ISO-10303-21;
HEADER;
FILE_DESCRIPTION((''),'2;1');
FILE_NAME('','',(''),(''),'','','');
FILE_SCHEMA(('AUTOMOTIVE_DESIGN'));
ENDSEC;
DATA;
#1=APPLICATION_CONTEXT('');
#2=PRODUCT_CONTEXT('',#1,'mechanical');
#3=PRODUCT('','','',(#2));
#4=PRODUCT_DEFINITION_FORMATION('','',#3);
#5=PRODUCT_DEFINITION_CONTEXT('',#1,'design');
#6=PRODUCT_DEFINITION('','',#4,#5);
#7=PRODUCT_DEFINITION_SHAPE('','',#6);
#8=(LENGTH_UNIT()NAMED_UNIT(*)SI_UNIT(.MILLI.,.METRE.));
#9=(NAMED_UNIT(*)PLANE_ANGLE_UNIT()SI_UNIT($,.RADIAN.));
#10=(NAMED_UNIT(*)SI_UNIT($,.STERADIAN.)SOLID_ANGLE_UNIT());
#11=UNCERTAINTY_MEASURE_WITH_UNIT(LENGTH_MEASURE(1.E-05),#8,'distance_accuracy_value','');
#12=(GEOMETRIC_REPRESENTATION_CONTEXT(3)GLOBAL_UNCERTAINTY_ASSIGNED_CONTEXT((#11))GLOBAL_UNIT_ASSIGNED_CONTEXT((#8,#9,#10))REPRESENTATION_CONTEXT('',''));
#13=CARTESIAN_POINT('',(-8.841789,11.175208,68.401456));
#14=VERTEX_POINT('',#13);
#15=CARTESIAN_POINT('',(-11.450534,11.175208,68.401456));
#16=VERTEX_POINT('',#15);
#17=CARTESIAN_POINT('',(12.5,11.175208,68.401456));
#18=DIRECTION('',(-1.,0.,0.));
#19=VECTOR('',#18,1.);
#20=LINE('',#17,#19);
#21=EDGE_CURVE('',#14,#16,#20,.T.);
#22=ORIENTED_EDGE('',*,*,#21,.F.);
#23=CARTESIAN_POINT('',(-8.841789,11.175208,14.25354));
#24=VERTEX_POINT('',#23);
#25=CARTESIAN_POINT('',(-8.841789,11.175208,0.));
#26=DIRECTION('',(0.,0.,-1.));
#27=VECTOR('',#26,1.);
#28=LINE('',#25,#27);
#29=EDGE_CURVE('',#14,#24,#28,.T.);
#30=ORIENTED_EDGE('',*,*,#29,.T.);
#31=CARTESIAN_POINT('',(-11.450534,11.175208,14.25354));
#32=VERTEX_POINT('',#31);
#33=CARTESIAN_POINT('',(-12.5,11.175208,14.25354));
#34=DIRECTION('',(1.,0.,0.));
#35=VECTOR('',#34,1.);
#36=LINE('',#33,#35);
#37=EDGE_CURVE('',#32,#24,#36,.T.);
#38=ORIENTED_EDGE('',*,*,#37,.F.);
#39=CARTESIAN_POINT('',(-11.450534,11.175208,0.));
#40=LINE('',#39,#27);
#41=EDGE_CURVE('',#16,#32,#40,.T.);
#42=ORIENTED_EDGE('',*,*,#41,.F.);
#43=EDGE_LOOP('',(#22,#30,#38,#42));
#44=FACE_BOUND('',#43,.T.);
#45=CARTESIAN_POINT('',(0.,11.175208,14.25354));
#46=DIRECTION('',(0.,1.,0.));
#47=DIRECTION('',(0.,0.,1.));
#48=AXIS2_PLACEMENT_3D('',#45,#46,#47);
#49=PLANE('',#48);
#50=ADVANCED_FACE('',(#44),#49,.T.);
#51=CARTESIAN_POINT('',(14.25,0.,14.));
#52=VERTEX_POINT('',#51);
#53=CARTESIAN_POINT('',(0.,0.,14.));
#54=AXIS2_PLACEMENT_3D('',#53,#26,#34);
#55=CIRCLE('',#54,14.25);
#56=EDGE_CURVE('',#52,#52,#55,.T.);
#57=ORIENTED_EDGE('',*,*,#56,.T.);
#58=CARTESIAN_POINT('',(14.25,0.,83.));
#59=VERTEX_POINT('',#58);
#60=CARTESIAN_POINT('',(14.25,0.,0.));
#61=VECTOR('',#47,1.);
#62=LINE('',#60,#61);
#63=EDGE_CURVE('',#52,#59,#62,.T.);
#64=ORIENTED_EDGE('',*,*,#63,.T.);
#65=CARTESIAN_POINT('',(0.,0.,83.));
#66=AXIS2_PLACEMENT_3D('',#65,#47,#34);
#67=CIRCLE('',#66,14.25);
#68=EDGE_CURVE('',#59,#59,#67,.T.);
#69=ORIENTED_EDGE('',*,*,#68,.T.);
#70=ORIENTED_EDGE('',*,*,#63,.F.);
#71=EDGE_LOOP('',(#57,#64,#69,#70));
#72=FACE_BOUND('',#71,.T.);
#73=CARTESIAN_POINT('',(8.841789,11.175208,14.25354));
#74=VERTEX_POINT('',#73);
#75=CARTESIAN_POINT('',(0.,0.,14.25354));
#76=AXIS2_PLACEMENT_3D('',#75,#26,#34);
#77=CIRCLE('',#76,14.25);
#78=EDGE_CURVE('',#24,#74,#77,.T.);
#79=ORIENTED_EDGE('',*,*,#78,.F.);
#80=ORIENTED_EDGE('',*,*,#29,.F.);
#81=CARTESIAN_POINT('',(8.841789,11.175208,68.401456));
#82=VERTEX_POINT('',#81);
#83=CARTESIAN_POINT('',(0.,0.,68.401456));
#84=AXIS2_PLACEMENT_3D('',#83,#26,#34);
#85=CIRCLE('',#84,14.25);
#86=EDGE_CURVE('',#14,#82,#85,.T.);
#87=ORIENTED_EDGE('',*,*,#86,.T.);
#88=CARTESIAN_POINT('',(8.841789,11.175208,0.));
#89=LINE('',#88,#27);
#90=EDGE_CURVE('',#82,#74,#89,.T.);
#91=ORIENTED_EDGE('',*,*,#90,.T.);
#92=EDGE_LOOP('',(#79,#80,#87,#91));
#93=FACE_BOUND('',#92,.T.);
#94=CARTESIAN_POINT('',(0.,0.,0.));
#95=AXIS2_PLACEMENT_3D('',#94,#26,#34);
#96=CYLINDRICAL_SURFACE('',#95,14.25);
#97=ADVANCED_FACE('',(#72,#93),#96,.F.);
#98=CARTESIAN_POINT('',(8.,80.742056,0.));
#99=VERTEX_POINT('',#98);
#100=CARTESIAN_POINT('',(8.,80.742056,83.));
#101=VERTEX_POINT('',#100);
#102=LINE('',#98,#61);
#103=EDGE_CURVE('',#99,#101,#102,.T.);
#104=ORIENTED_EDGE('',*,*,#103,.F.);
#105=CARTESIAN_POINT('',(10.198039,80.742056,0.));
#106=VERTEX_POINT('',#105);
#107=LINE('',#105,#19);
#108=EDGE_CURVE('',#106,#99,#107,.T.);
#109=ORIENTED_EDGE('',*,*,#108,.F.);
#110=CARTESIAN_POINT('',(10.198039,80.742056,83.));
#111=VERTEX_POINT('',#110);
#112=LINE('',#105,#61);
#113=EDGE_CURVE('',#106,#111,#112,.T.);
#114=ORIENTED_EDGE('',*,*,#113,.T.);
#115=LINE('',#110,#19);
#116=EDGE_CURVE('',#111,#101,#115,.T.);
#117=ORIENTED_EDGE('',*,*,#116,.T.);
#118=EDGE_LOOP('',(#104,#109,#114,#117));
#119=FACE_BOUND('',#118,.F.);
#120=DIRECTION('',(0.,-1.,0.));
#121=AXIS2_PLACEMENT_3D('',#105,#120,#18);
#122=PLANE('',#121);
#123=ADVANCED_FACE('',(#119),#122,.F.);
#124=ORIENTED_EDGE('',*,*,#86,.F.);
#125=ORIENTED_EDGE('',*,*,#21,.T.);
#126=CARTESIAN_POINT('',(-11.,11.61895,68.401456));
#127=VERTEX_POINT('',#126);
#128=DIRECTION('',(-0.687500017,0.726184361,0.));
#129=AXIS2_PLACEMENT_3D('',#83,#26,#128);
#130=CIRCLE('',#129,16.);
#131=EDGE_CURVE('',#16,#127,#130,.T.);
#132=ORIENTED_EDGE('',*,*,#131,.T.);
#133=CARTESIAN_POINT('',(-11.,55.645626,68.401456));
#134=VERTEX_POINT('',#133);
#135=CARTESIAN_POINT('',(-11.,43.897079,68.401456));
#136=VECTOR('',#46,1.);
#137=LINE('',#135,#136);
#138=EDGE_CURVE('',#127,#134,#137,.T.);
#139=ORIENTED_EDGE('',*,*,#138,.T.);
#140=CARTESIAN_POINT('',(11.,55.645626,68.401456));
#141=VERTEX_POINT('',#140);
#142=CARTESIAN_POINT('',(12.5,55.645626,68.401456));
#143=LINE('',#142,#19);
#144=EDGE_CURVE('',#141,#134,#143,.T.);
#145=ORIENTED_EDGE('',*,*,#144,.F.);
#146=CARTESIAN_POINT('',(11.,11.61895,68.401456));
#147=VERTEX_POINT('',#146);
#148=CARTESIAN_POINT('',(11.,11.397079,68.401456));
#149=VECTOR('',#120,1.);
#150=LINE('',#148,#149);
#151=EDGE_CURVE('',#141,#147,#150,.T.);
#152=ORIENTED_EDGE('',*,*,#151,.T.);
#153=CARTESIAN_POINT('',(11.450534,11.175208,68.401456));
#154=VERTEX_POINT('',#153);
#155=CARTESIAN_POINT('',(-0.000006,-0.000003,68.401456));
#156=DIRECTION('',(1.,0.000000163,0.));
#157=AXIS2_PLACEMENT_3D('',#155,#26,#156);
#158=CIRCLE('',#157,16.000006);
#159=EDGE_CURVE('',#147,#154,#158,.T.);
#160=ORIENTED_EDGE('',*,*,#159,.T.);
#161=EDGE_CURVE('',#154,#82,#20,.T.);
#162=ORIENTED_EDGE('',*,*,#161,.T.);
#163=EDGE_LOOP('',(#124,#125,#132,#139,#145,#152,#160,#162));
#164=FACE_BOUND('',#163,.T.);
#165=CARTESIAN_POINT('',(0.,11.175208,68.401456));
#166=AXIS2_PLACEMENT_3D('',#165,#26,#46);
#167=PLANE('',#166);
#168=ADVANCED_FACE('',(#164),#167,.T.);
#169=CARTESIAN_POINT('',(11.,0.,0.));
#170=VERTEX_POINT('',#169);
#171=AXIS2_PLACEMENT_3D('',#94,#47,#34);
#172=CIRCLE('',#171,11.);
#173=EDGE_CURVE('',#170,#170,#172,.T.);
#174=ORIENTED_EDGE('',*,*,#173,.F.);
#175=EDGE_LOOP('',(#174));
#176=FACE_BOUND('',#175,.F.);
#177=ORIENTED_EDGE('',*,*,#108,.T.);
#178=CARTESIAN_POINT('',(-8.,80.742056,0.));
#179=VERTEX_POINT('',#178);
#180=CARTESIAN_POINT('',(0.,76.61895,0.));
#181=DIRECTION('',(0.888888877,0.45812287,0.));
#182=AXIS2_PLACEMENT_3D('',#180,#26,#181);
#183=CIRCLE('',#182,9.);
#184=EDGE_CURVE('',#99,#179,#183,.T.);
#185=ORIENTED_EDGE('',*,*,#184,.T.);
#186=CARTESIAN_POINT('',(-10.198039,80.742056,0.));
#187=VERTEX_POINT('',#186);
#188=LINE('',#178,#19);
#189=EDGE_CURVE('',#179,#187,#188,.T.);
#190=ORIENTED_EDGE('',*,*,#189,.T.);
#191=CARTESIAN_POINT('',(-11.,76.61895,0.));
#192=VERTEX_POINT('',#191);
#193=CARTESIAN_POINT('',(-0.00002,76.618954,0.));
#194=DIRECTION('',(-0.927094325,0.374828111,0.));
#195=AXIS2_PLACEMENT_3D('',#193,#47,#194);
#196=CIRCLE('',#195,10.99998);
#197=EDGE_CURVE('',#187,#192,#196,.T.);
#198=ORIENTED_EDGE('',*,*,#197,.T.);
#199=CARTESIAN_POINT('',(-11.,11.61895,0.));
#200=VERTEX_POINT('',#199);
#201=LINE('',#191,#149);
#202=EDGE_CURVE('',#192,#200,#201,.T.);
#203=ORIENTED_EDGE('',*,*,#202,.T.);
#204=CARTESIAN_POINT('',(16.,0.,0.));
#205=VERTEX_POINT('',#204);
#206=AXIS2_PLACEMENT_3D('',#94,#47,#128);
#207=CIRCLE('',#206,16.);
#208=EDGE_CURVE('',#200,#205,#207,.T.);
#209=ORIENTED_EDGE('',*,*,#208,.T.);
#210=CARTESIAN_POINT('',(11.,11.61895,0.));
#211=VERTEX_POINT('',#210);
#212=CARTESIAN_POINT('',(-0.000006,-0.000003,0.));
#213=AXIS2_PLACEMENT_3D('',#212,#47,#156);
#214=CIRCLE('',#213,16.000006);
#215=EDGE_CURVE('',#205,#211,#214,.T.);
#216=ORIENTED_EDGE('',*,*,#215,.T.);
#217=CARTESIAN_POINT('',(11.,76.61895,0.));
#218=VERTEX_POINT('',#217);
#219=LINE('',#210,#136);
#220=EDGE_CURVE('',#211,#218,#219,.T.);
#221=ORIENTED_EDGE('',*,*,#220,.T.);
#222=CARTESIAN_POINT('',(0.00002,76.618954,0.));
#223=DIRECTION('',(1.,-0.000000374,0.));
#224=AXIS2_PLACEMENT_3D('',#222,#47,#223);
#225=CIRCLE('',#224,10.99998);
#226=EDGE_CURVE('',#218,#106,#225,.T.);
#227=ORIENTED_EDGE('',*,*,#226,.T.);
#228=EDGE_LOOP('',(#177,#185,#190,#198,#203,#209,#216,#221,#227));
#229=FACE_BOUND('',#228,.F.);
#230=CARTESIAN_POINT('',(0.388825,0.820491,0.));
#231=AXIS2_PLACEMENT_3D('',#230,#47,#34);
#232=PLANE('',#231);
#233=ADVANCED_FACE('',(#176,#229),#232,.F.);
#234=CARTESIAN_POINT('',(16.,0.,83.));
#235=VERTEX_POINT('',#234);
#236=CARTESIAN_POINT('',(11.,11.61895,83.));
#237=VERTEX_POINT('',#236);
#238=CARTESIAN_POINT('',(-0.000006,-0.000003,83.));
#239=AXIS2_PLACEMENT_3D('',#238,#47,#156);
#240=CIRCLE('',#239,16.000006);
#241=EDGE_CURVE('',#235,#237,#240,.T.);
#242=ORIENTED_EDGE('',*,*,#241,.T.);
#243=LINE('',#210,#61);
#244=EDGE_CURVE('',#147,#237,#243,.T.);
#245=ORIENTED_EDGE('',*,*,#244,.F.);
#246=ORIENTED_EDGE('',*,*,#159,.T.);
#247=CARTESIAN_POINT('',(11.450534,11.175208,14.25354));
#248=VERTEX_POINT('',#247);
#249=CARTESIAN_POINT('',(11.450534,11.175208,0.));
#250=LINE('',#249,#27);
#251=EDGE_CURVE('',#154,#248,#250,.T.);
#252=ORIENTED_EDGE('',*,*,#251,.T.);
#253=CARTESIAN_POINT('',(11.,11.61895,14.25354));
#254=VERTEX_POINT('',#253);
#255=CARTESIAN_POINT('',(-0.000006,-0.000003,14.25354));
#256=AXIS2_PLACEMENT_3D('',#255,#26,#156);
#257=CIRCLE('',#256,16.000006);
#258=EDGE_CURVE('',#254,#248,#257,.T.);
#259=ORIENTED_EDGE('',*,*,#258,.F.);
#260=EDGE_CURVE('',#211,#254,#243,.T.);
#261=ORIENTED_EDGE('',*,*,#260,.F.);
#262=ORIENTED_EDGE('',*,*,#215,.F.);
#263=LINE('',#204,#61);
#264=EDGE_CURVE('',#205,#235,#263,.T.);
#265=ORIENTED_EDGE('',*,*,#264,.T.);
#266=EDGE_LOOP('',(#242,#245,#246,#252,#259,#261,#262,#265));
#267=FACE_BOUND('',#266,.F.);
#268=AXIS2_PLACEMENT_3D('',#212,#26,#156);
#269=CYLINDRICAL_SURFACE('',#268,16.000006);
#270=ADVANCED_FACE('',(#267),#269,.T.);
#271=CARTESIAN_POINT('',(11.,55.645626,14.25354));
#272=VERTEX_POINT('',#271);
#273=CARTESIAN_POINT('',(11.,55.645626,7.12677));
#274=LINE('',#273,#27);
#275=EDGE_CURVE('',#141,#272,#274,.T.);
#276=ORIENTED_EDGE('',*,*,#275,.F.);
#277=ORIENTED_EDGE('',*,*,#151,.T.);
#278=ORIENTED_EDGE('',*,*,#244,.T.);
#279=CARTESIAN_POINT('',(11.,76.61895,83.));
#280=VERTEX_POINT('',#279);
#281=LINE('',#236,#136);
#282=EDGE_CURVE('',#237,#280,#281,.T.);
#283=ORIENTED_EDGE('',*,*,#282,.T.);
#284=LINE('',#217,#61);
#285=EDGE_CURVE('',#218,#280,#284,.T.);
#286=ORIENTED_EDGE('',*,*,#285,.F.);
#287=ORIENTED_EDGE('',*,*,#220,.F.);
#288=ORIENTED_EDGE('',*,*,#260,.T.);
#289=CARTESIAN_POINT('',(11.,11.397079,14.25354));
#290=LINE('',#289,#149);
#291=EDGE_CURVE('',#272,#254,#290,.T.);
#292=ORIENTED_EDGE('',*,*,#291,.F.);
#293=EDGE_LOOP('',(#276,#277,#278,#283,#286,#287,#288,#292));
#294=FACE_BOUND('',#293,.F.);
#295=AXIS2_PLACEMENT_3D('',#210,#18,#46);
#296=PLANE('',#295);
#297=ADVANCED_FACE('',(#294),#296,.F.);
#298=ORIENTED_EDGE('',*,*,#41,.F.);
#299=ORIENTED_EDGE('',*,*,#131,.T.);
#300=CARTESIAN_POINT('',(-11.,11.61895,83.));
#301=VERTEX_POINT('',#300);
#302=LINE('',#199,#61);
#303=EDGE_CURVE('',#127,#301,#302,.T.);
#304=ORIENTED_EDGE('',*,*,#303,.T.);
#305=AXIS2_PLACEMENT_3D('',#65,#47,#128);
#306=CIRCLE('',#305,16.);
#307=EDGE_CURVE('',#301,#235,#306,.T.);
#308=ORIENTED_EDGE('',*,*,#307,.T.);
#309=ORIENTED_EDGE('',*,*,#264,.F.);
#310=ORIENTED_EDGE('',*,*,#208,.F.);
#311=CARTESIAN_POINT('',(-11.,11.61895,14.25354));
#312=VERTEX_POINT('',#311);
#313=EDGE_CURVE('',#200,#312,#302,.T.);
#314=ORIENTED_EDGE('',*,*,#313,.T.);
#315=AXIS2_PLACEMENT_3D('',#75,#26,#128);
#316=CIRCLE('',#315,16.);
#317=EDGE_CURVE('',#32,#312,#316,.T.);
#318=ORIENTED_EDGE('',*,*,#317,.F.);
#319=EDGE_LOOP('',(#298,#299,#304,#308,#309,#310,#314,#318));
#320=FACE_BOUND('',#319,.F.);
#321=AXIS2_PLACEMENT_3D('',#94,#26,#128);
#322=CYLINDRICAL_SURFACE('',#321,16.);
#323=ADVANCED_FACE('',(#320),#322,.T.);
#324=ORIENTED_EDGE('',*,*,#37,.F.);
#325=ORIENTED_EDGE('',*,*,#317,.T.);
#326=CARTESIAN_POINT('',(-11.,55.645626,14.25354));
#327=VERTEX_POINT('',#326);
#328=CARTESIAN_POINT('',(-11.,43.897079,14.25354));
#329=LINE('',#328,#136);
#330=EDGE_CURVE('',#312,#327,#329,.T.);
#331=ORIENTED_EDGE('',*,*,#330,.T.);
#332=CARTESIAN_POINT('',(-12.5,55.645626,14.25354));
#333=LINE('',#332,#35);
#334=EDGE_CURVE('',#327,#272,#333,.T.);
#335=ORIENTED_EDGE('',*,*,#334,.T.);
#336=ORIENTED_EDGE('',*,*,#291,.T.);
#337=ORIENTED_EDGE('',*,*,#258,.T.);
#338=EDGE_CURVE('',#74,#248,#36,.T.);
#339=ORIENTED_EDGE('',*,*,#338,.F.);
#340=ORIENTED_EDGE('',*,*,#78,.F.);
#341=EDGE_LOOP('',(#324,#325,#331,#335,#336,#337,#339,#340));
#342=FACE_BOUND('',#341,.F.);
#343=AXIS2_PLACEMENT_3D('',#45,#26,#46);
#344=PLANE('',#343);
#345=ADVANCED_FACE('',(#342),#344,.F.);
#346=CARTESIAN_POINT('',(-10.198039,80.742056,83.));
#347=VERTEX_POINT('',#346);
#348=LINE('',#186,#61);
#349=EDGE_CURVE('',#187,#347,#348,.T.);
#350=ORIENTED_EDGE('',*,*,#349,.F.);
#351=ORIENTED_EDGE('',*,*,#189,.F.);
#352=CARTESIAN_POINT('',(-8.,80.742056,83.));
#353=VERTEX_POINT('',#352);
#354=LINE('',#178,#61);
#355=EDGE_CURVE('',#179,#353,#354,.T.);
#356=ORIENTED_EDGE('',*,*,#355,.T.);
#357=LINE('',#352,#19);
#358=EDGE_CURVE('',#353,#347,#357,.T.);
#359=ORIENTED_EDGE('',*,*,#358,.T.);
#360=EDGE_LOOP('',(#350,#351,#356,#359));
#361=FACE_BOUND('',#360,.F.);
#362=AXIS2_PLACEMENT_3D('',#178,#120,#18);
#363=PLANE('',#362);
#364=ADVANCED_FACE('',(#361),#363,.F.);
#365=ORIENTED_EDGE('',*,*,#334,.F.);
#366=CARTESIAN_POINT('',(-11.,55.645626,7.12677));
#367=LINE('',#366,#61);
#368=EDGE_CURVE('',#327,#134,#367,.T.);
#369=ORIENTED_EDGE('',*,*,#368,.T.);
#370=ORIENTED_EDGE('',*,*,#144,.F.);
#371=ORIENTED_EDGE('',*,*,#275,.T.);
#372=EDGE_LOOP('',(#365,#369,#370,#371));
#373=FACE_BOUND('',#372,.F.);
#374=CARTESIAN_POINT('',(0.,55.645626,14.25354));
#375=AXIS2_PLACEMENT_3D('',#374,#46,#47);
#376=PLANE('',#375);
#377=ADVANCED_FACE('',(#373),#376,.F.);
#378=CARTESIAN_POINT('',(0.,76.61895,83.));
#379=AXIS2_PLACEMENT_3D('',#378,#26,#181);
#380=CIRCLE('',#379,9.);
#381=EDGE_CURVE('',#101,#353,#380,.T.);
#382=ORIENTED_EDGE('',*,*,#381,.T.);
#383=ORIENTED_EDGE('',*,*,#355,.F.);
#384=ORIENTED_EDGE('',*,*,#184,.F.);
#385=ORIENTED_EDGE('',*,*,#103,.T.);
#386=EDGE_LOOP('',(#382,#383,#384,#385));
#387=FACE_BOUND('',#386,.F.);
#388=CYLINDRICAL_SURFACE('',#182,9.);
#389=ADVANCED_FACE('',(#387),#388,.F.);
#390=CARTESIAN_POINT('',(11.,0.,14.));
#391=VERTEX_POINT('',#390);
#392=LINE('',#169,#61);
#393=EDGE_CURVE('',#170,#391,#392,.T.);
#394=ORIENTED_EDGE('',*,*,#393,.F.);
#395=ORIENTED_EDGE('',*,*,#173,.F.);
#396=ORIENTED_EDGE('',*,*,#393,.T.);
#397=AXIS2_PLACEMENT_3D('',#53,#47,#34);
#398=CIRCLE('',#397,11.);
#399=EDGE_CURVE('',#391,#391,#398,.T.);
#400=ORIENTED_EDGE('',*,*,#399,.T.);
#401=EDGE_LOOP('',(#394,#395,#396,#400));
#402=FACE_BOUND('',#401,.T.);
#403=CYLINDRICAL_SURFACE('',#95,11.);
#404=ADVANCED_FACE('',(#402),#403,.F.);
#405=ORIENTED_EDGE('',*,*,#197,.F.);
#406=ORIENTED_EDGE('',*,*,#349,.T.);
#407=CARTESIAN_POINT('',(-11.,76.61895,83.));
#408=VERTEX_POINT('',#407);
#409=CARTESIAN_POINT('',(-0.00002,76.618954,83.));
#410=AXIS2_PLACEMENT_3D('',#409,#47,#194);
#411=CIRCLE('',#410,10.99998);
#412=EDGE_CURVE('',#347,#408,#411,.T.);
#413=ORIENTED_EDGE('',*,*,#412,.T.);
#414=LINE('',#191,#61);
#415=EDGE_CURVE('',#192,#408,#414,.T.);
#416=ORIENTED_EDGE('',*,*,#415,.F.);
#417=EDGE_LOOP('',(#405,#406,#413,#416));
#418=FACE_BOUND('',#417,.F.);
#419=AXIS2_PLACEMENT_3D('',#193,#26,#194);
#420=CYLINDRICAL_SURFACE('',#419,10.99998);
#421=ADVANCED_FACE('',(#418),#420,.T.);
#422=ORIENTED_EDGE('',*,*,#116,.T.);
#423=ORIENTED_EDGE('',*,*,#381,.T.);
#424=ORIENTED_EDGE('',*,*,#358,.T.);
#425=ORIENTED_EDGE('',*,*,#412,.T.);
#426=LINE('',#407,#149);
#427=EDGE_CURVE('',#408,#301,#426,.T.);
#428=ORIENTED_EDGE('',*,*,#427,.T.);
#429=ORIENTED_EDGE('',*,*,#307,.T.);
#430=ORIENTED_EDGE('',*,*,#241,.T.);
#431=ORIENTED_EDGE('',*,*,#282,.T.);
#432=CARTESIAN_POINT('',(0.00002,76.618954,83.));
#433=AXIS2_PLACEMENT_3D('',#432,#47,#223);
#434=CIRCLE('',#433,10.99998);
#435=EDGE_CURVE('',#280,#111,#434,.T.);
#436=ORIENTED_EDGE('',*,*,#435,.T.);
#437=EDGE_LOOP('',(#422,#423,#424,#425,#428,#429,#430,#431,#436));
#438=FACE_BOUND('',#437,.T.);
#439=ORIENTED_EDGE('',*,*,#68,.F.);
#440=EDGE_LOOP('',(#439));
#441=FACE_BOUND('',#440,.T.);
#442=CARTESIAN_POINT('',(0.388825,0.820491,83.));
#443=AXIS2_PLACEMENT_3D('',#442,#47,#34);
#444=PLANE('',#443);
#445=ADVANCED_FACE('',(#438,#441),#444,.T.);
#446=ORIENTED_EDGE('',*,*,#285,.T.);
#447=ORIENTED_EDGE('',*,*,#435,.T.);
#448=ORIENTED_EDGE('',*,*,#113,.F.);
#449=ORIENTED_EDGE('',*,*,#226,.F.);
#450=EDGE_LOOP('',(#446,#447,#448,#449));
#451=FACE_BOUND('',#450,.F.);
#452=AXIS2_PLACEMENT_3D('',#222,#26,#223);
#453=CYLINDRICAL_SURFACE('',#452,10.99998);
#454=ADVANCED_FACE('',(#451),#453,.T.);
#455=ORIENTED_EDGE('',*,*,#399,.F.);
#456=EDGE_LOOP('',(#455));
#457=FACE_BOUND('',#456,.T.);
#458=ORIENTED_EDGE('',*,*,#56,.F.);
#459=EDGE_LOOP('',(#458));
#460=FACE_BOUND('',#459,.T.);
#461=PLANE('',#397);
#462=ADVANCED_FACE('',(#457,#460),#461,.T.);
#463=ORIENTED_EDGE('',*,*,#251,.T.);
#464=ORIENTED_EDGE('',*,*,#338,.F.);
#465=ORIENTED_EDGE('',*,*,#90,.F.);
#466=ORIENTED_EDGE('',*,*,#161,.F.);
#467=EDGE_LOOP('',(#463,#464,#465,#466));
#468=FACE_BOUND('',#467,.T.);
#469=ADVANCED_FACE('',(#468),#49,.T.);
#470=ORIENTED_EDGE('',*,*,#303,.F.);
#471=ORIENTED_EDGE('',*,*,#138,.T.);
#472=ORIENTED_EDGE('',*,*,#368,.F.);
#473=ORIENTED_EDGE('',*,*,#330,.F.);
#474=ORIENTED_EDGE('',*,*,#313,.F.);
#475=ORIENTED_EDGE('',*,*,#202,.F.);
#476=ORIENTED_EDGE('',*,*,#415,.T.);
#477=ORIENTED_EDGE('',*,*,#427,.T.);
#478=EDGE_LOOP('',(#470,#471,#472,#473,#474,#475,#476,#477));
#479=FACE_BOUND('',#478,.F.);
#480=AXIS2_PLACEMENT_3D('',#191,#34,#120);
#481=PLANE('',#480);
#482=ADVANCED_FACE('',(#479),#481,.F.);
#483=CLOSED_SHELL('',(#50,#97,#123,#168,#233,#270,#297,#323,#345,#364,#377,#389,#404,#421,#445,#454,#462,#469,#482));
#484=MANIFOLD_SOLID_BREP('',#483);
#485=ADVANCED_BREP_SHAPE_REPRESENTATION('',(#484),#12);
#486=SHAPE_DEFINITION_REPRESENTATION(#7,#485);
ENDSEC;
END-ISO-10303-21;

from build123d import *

# Parameters (mm, degrees)
F0_R     = 14.25
F1_DEPTH = 83
F2_W     = 44.470418
F2_H     = 54.147916
F3_DEPTH = 12.5
F4_R     = 14.971262
F4_R_2   = 11
F5_DEPTH = 14


with BuildPart() as f1:
    # F0 (on Top) → F1 (new body)
    with BuildSketch(Plane.XY):
        with BuildLine():
            ThreePointArc((-11, 11.61895), (-6.324555, -14.696938), (16, 0))
            ThreePointArc((16, 0), (14.696938, 6.324555), (11, 11.61895))
            ThreePointArc((11, 11.61895), (0, 16), (-11, 11.61895))
        make_face()
        Circle(F0_R, mode=Mode.SUBTRACT)
        with BuildLine():
            ThreePointArc((-11, 76.61895), (0, 65.61895), (11, 76.61895))
            ThreePointArc((11, 76.61895), (10.797649, 78.719137), (10.198039, 80.742056))
            Line((10.198039, 80.742056), (8, 80.742056))
            ThreePointArc((8, 80.742056), (0, 67.61895), (-8, 80.742056))
            Line((-8, 80.742056), (-10.198039, 80.742056))
            ThreePointArc((-10.198039, 80.742056), (-10.797649, 78.719137), (-11, 76.61895))
        make_face()
        with BuildLine():
            ThreePointArc((-11, 11.61895), (0, 16), (11, 11.61895))
            Line((11, 11.61895), (11, 76.61895))
            ThreePointArc((11, 76.61895), (0, 65.61895), (-11, 76.61895))
            Line((-11, 76.61895), (-11, 11.61895))
        make_face()
    extrude(amount=F1_DEPTH)

    # F2 (on Right) → F3 (cut, symmetric)
    with BuildSketch(Plane.YZ):
        with Locations((33.410417, 41.327498)):
            Rectangle(F2_W, F2_H)
    extrude(amount=F3_DEPTH, both=True, mode=Mode.SUBTRACT)

    # F4 (on Top) → F5 (join)
    with BuildSketch(Plane.XY):
        Circle(F4_R)
        Circle(F4_R_2, mode=Mode.SUBTRACT)
    extrude(amount=F5_DEPTH)


solid = f1.part
